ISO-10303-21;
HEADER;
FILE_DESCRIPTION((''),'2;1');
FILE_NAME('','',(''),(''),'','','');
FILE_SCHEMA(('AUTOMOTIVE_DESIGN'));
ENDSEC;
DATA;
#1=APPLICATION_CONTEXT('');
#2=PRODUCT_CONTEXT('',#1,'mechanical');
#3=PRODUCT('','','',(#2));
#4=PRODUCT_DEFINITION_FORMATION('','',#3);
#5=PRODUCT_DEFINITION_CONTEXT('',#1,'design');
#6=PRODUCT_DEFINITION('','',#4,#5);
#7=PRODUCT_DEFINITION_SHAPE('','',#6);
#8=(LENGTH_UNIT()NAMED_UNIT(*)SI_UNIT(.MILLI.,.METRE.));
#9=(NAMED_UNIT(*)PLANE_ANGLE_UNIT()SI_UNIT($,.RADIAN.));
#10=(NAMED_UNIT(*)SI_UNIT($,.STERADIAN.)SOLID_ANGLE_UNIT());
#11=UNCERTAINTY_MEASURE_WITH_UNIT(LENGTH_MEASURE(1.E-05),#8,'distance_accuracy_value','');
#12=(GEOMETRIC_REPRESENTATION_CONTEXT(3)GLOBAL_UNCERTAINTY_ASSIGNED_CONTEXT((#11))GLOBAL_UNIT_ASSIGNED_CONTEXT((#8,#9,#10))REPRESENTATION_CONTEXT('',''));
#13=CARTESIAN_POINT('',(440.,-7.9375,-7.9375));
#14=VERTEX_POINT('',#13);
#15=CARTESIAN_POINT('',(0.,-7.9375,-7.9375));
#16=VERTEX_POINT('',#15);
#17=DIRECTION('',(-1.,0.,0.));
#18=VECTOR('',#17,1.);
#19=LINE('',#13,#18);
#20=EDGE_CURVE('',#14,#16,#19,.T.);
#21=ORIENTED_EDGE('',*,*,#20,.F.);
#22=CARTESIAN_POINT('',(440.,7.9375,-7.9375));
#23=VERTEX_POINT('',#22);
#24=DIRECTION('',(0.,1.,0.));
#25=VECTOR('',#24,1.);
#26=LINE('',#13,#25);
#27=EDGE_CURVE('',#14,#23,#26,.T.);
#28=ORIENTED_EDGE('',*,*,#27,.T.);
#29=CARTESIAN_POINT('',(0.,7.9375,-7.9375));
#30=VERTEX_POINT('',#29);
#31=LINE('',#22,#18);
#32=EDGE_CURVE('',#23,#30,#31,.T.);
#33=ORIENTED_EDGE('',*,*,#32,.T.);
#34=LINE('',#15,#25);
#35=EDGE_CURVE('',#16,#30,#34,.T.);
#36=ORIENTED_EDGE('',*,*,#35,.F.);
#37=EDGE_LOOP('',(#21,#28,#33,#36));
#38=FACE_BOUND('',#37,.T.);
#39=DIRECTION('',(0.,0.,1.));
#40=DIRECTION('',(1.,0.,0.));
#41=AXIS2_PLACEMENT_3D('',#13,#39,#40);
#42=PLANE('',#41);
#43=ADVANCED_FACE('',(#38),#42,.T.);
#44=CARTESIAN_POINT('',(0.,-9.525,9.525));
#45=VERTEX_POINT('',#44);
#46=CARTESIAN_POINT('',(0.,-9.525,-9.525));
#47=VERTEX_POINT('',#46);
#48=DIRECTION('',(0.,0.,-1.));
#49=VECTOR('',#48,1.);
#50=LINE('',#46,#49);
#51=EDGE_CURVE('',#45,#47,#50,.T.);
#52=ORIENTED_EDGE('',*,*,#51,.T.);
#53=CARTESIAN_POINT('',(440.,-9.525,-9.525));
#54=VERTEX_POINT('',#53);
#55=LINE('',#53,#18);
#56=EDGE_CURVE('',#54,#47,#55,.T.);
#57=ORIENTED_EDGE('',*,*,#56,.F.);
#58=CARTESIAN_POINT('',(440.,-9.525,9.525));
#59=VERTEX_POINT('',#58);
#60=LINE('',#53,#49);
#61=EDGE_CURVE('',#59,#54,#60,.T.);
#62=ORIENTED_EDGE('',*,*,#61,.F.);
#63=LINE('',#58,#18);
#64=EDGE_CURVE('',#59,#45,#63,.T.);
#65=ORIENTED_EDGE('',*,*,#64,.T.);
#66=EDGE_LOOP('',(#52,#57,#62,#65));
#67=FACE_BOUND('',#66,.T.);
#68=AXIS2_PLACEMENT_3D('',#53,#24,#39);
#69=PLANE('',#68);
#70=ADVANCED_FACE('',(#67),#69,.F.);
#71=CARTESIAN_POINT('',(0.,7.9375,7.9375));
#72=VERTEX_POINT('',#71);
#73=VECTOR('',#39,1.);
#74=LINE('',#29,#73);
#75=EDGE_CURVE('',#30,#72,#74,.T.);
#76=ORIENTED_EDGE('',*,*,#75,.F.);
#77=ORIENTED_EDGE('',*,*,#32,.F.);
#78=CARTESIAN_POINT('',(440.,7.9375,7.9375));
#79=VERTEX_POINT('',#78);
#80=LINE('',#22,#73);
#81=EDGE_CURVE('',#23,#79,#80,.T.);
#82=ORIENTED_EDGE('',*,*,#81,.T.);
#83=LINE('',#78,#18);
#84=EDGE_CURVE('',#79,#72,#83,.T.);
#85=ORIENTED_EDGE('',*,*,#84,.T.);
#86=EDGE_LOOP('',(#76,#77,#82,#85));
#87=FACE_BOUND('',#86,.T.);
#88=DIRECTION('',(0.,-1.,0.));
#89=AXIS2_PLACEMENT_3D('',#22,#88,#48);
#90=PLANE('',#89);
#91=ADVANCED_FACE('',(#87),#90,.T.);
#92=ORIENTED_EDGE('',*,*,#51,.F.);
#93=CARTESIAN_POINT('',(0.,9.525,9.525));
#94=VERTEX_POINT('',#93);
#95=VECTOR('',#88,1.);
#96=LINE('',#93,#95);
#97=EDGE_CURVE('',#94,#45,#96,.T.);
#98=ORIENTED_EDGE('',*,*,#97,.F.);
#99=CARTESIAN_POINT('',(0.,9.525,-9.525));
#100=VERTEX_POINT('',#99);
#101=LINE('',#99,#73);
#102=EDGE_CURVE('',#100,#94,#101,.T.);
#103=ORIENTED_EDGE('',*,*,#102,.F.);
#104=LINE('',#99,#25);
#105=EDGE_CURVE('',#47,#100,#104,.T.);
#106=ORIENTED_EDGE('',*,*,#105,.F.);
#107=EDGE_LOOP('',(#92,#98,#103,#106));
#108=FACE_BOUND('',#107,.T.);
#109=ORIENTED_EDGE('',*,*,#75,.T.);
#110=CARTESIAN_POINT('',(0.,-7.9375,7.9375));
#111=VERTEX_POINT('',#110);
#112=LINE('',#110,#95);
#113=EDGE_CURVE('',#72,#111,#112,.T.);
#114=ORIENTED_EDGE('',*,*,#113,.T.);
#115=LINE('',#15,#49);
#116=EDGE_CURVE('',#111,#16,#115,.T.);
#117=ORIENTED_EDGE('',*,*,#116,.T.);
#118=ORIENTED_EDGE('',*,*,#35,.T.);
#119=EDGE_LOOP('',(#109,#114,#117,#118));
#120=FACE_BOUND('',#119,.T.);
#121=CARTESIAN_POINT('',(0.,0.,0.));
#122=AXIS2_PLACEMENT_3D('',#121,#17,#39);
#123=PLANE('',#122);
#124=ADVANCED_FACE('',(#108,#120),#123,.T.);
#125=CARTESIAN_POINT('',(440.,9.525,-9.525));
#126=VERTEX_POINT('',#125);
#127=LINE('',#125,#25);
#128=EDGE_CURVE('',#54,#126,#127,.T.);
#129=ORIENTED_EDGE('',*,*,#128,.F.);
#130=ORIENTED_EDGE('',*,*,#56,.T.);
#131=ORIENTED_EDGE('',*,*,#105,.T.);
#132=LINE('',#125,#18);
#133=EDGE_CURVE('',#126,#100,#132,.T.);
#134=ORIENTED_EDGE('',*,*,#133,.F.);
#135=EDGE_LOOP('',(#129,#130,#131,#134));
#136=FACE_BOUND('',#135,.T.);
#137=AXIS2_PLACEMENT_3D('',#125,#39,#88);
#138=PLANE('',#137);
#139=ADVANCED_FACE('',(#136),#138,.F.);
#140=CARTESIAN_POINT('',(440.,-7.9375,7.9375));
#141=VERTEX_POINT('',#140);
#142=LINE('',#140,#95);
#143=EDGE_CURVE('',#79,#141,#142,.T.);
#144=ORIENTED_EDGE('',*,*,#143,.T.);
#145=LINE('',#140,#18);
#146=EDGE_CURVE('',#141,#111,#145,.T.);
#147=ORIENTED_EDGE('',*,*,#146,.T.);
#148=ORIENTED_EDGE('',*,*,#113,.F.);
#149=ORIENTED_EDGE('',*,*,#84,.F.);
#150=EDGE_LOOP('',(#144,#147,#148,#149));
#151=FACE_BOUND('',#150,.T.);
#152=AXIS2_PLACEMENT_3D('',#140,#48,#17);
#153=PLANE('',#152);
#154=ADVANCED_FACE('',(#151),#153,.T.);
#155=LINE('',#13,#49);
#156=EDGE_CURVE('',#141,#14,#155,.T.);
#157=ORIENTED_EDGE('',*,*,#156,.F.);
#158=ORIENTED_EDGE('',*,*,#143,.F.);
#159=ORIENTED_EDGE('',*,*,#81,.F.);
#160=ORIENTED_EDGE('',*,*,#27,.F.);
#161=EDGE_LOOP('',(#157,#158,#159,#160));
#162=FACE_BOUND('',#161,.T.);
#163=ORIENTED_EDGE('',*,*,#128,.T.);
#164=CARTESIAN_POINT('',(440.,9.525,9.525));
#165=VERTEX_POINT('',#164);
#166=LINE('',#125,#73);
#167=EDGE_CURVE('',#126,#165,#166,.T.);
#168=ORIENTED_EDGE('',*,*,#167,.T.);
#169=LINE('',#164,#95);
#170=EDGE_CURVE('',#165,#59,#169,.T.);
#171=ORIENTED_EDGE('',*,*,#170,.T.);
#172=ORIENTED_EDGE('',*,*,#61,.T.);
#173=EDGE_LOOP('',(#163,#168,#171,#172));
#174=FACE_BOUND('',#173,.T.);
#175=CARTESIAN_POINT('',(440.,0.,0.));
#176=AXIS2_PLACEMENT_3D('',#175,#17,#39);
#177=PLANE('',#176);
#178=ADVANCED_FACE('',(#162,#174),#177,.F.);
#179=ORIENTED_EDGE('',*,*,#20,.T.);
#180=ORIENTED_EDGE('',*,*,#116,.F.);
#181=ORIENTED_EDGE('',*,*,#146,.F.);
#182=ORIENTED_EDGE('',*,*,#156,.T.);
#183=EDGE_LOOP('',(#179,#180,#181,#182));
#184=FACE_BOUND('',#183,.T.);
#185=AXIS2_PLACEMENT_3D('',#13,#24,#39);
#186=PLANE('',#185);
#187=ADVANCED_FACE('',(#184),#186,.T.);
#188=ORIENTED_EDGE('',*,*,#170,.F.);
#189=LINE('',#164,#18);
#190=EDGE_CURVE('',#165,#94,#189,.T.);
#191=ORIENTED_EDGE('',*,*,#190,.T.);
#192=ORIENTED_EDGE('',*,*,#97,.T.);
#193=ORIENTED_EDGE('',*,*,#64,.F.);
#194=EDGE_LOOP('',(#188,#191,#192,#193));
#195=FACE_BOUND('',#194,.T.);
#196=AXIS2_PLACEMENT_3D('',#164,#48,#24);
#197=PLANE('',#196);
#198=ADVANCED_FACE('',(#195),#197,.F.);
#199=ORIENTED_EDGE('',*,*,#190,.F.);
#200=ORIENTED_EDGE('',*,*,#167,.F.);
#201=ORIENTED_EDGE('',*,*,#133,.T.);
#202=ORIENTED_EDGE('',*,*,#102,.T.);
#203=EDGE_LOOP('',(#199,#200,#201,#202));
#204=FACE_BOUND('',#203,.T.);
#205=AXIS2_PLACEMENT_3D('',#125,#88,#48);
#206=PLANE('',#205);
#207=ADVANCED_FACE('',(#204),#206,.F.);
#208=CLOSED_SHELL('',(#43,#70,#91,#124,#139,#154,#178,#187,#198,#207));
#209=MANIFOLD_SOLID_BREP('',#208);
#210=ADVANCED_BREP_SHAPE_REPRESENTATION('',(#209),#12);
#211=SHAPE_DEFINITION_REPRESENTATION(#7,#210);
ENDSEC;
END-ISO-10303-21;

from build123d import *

# Parameters (mm, degrees)
SKETCH1_W           = 19.05
SKETCH1_H           = 19.05
SKETCH1_W_2         = 15.875
SKETCH1_H_2         = 15.875
BOSS_EXTRUDE1_DEPTH = 440


with BuildPart() as part:
    # Sketch1 → Boss-Extrude1 (new body)
    with BuildSketch(Plane(origin=(0, 0, 0), x_dir=(0, 0, -1), z_dir=(1, 0, 0))):
        Rectangle(SKETCH1_W, SKETCH1_H)
        Rectangle(SKETCH1_W_2, SKETCH1_H_2, mode=Mode.SUBTRACT)
    extrude(amount=BOSS_EXTRUDE1_DEPTH)


solid = part.part
